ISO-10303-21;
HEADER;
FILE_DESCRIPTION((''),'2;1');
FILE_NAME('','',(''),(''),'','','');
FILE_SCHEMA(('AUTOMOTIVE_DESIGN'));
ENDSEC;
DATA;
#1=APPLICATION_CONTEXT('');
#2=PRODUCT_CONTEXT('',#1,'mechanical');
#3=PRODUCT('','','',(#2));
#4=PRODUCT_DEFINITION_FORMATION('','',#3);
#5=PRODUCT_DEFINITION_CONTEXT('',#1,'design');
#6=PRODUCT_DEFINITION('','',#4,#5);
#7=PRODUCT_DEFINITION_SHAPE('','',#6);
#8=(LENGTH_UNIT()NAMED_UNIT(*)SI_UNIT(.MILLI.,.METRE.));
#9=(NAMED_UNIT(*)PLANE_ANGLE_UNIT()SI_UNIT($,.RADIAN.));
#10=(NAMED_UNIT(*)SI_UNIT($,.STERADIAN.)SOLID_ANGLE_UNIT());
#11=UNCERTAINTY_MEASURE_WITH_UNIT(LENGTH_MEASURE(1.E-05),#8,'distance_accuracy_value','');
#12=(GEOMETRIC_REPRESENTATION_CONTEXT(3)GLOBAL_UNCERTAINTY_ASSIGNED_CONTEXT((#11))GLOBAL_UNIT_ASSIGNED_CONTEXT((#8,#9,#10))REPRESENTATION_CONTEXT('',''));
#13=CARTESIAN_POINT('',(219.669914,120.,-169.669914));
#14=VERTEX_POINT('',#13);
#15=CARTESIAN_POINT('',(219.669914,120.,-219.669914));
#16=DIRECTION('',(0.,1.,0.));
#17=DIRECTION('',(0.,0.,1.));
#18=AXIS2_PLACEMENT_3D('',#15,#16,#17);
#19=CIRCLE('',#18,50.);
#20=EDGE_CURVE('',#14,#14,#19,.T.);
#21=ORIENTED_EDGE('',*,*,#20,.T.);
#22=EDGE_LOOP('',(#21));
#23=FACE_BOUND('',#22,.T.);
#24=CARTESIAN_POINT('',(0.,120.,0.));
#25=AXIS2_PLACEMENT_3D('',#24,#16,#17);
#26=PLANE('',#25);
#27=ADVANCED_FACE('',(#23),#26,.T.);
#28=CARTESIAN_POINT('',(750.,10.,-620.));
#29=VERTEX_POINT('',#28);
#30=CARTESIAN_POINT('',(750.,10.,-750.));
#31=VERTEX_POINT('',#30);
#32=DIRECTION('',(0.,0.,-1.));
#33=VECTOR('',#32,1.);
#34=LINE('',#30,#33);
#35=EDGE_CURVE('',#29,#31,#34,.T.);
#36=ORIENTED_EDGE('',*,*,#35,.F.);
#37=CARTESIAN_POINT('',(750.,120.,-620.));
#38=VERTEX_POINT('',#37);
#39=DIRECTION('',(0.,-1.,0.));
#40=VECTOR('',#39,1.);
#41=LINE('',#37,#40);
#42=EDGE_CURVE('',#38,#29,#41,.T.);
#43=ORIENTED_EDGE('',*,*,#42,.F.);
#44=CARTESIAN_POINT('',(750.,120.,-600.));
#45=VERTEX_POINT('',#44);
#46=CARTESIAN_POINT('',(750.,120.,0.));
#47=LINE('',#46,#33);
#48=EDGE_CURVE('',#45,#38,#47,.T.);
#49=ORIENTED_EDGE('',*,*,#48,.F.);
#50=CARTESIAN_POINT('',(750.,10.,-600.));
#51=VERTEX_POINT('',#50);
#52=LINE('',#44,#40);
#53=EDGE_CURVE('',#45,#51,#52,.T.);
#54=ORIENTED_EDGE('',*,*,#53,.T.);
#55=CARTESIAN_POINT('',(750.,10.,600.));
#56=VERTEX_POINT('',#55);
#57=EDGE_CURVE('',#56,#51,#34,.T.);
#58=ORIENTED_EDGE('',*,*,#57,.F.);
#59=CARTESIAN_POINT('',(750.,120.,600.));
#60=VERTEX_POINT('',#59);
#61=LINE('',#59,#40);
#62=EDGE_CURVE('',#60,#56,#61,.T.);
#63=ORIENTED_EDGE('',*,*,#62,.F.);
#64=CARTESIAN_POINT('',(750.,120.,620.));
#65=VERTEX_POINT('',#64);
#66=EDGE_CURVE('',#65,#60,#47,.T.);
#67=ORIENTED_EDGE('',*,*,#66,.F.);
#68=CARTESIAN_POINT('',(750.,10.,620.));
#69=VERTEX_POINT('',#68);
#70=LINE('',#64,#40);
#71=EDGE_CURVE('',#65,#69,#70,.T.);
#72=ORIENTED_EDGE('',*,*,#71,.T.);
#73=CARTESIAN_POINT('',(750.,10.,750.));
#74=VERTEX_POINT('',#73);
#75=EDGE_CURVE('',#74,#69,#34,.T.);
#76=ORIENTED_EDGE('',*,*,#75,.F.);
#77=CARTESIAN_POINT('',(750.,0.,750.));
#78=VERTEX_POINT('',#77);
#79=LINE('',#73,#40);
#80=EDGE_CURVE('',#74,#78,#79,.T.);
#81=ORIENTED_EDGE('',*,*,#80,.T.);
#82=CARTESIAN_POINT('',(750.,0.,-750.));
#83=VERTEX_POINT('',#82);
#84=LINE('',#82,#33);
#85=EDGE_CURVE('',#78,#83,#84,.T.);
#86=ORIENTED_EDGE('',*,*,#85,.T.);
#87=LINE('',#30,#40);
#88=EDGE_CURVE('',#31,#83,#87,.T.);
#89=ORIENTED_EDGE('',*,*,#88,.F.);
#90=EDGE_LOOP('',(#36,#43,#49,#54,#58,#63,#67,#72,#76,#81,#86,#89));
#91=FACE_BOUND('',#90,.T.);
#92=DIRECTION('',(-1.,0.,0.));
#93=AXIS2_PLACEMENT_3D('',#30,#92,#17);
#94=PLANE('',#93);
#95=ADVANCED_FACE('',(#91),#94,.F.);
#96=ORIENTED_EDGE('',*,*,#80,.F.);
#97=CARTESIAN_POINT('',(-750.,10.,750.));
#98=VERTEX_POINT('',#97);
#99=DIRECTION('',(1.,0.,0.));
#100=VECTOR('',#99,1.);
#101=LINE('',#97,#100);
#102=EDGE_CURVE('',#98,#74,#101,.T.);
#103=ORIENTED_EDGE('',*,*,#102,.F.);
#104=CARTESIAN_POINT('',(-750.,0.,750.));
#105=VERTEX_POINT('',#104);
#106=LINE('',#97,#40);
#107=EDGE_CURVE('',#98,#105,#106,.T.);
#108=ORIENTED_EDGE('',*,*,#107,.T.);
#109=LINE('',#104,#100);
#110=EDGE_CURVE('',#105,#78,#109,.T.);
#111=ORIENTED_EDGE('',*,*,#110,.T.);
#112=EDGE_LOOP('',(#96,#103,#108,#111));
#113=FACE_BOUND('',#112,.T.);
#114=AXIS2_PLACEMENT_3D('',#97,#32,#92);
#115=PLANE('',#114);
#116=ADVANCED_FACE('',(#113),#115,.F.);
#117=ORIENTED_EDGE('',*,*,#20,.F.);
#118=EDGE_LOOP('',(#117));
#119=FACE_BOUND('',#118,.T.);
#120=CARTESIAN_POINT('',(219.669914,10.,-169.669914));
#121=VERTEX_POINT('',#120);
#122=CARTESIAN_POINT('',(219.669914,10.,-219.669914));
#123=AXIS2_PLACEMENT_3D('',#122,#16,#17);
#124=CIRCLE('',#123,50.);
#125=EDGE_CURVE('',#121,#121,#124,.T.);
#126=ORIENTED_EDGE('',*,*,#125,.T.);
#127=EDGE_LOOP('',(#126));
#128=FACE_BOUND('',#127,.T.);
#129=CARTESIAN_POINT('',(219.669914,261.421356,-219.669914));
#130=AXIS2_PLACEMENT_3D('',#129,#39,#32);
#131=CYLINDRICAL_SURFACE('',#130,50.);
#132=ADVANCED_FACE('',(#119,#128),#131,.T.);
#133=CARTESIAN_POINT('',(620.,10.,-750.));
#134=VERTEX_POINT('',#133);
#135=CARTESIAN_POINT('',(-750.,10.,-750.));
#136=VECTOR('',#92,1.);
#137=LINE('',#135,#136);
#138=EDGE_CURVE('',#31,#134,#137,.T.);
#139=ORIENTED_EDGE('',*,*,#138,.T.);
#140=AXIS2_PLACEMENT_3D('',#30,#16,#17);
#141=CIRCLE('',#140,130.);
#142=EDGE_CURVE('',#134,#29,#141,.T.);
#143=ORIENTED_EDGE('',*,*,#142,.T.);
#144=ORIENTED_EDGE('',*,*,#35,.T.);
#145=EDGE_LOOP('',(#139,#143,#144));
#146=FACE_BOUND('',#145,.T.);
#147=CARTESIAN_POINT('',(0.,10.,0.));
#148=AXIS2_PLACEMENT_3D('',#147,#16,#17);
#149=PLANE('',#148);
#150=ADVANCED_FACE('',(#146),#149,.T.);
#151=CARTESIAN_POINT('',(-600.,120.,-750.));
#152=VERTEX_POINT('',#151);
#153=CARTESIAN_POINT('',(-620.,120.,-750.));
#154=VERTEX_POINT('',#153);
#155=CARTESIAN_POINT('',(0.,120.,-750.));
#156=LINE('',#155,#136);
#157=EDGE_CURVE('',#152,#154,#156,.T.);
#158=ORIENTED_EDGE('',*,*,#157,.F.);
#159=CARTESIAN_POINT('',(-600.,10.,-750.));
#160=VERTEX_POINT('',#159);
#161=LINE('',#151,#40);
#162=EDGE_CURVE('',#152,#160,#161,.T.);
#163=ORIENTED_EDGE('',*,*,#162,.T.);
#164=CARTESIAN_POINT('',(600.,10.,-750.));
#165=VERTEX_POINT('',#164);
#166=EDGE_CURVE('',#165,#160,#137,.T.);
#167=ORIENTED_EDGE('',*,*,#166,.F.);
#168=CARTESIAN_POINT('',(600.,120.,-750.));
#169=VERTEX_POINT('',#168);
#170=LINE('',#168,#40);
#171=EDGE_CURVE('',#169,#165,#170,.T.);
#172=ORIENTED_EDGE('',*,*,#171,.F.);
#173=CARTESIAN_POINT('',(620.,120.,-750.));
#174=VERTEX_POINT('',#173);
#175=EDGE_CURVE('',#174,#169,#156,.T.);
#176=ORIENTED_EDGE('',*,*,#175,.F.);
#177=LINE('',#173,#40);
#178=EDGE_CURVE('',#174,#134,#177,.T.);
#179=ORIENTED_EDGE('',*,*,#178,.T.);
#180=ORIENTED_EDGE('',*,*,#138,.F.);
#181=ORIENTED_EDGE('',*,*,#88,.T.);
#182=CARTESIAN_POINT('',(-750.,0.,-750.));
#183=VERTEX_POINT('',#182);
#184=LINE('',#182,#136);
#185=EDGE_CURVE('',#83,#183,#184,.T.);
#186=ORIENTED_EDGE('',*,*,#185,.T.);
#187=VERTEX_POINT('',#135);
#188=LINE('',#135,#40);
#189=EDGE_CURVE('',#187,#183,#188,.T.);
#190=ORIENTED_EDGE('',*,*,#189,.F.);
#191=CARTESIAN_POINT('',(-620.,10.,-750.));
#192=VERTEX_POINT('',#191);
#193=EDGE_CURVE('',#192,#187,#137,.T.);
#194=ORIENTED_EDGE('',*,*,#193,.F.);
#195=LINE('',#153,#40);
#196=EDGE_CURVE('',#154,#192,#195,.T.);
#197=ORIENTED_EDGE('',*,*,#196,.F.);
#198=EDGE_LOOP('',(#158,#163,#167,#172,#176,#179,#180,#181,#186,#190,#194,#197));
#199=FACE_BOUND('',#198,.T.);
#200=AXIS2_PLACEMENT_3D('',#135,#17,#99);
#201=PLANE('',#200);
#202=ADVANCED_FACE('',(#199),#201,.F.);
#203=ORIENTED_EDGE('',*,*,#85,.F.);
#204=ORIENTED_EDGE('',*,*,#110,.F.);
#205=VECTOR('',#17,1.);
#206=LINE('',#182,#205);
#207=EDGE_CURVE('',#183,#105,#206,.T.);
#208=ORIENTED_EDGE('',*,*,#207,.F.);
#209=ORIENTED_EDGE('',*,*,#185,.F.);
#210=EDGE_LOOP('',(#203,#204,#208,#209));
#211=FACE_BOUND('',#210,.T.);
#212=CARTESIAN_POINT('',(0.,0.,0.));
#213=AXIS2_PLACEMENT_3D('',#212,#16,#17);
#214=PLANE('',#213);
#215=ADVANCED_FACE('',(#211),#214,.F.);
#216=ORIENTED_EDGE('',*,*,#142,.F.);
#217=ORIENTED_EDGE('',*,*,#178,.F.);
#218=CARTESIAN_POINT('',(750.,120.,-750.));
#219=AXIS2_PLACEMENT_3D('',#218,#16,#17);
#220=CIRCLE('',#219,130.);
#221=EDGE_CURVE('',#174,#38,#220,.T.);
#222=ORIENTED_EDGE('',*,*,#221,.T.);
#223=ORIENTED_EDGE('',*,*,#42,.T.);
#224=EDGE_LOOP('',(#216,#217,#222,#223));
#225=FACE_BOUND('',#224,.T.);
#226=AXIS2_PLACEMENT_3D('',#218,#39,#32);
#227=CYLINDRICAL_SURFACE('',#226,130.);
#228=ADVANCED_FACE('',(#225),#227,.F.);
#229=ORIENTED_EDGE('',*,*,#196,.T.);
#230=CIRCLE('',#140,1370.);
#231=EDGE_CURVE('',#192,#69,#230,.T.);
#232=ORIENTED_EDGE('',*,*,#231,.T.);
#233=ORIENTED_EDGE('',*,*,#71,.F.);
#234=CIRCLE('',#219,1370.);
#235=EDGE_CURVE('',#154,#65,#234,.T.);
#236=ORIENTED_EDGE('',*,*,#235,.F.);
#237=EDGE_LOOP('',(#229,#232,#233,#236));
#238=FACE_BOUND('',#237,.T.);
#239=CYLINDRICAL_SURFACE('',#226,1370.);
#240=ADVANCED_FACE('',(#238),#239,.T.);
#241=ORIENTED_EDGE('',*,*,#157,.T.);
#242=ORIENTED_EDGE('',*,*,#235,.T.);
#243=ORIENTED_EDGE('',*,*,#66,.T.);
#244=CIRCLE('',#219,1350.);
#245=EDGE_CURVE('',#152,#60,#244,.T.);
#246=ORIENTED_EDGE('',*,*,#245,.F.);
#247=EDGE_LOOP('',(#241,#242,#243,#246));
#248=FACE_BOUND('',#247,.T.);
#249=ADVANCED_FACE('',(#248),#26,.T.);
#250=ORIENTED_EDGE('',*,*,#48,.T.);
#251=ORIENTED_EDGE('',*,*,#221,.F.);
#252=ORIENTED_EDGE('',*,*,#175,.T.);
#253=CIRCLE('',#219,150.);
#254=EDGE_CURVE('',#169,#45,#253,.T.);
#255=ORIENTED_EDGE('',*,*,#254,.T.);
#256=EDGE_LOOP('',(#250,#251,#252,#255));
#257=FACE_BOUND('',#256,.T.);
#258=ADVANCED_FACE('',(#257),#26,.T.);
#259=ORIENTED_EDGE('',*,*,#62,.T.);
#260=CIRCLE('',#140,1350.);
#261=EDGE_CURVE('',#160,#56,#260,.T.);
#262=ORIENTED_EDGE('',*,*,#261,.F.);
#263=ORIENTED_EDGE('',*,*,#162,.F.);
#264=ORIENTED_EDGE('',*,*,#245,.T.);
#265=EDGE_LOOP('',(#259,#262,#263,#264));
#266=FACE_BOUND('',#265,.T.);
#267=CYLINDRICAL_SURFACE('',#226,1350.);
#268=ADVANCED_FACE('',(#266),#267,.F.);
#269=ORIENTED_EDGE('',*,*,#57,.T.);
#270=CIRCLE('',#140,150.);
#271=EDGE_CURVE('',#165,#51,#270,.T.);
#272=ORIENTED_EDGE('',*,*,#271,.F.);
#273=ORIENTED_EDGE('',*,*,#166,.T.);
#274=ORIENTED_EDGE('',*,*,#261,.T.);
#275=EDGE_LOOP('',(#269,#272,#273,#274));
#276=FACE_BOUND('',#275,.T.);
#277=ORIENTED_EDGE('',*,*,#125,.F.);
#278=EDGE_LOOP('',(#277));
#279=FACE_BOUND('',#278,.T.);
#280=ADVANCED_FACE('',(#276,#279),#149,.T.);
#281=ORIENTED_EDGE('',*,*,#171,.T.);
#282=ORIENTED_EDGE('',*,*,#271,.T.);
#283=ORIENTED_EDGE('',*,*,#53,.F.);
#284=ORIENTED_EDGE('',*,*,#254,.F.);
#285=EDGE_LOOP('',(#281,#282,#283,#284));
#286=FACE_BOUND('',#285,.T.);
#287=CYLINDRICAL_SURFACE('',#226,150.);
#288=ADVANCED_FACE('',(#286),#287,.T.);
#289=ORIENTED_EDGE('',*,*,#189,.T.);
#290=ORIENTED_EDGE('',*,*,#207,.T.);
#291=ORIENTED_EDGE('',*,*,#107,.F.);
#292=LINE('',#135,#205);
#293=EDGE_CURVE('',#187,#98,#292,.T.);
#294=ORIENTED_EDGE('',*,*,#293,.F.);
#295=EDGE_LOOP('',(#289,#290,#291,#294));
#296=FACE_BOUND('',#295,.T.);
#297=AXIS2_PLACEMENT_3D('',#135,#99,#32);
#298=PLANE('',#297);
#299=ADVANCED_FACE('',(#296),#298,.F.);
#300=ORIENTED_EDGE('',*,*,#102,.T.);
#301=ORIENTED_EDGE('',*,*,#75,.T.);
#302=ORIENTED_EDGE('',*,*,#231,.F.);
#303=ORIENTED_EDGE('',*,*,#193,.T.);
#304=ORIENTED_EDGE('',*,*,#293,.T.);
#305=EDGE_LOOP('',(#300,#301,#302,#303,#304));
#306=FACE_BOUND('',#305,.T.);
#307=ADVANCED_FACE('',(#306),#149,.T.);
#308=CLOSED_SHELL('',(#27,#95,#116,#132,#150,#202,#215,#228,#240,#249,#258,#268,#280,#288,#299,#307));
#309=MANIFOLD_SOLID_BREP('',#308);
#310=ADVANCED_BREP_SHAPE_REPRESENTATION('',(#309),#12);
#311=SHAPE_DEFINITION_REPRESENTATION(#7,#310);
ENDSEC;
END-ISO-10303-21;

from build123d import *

# Parameters (mm, degrees)
SKETCH2_W           = 1500
SKETCH2_H           = 1500
BOSS_EXTRUDE1_DEPTH = 10
BOSS_EXTRUDE2_DEPTH = 110
BOSS_EXTRUDE3_DEPTH = 110


with BuildPart() as part:
    # Sketch2 → Boss-Extrude1 (new body)
    with BuildSketch(Plane(origin=(0, 0, 0), x_dir=(1, 0, 0), z_dir=(0, 1, 0))):
        Rectangle(SKETCH2_W, SKETCH2_H)
    extrude(amount=BOSS_EXTRUDE1_DEPTH)

    # Sketch3 → Boss-Extrude2 (add)
    with BuildSketch(Plane(origin=(0, 10, 0), x_dir=(1, 0, 0), z_dir=(0, 1, 0))):
        with BuildLine():
            ThreePointArc((750, -600), (-204.594154602, -204.594154602), (-600, 750))
            Line((-600, 750), (-620, 750))
            ThreePointArc((-620, 750), (-218.736290226, -218.736290226), (750, -620))
            Line((750, -620), (750, -600))
        make_face()
        with BuildLine():
            Line((620, 750), (600, 750))
            ThreePointArc((600, 750), (643.933982822, 643.933982822), (750, 600))
            Line((750, 600), (750, 620))
            ThreePointArc((750, 620), (658.076118446, 658.076118446), (620, 750))
        make_face()
    extrude(amount=BOSS_EXTRUDE2_DEPTH)

    # Sketch4 → Boss-Extrude3 (add)
    with BuildSketch(Plane(origin=(0, 10, 0), x_dir=(1, 0, 0), z_dir=(0, 1, 0))):
        with BuildLine():
            ThreePointArc((269.66991411, 219.66991411), (265.863890736, 238.804085728), (255.025253169, 255.025253169))
            Line((255.025253169, 255.025253169), (184.314575051, 184.314575051))
            ThreePointArc((184.314575051, 184.314575051), (238.804085728, 173.475937485), (269.66991411, 219.66991411))
        make_face()
        with BuildLine():
            Line((184.314575051, 184.314575051), (255.025253169, 255.025253169))
            ThreePointArc((255.025253169, 255.025253169), (184.314575051, 255.025253169), (184.314575051, 184.314575051))
        make_face()
    extrude(amount=BOSS_EXTRUDE3_DEPTH)


solid = part.part
